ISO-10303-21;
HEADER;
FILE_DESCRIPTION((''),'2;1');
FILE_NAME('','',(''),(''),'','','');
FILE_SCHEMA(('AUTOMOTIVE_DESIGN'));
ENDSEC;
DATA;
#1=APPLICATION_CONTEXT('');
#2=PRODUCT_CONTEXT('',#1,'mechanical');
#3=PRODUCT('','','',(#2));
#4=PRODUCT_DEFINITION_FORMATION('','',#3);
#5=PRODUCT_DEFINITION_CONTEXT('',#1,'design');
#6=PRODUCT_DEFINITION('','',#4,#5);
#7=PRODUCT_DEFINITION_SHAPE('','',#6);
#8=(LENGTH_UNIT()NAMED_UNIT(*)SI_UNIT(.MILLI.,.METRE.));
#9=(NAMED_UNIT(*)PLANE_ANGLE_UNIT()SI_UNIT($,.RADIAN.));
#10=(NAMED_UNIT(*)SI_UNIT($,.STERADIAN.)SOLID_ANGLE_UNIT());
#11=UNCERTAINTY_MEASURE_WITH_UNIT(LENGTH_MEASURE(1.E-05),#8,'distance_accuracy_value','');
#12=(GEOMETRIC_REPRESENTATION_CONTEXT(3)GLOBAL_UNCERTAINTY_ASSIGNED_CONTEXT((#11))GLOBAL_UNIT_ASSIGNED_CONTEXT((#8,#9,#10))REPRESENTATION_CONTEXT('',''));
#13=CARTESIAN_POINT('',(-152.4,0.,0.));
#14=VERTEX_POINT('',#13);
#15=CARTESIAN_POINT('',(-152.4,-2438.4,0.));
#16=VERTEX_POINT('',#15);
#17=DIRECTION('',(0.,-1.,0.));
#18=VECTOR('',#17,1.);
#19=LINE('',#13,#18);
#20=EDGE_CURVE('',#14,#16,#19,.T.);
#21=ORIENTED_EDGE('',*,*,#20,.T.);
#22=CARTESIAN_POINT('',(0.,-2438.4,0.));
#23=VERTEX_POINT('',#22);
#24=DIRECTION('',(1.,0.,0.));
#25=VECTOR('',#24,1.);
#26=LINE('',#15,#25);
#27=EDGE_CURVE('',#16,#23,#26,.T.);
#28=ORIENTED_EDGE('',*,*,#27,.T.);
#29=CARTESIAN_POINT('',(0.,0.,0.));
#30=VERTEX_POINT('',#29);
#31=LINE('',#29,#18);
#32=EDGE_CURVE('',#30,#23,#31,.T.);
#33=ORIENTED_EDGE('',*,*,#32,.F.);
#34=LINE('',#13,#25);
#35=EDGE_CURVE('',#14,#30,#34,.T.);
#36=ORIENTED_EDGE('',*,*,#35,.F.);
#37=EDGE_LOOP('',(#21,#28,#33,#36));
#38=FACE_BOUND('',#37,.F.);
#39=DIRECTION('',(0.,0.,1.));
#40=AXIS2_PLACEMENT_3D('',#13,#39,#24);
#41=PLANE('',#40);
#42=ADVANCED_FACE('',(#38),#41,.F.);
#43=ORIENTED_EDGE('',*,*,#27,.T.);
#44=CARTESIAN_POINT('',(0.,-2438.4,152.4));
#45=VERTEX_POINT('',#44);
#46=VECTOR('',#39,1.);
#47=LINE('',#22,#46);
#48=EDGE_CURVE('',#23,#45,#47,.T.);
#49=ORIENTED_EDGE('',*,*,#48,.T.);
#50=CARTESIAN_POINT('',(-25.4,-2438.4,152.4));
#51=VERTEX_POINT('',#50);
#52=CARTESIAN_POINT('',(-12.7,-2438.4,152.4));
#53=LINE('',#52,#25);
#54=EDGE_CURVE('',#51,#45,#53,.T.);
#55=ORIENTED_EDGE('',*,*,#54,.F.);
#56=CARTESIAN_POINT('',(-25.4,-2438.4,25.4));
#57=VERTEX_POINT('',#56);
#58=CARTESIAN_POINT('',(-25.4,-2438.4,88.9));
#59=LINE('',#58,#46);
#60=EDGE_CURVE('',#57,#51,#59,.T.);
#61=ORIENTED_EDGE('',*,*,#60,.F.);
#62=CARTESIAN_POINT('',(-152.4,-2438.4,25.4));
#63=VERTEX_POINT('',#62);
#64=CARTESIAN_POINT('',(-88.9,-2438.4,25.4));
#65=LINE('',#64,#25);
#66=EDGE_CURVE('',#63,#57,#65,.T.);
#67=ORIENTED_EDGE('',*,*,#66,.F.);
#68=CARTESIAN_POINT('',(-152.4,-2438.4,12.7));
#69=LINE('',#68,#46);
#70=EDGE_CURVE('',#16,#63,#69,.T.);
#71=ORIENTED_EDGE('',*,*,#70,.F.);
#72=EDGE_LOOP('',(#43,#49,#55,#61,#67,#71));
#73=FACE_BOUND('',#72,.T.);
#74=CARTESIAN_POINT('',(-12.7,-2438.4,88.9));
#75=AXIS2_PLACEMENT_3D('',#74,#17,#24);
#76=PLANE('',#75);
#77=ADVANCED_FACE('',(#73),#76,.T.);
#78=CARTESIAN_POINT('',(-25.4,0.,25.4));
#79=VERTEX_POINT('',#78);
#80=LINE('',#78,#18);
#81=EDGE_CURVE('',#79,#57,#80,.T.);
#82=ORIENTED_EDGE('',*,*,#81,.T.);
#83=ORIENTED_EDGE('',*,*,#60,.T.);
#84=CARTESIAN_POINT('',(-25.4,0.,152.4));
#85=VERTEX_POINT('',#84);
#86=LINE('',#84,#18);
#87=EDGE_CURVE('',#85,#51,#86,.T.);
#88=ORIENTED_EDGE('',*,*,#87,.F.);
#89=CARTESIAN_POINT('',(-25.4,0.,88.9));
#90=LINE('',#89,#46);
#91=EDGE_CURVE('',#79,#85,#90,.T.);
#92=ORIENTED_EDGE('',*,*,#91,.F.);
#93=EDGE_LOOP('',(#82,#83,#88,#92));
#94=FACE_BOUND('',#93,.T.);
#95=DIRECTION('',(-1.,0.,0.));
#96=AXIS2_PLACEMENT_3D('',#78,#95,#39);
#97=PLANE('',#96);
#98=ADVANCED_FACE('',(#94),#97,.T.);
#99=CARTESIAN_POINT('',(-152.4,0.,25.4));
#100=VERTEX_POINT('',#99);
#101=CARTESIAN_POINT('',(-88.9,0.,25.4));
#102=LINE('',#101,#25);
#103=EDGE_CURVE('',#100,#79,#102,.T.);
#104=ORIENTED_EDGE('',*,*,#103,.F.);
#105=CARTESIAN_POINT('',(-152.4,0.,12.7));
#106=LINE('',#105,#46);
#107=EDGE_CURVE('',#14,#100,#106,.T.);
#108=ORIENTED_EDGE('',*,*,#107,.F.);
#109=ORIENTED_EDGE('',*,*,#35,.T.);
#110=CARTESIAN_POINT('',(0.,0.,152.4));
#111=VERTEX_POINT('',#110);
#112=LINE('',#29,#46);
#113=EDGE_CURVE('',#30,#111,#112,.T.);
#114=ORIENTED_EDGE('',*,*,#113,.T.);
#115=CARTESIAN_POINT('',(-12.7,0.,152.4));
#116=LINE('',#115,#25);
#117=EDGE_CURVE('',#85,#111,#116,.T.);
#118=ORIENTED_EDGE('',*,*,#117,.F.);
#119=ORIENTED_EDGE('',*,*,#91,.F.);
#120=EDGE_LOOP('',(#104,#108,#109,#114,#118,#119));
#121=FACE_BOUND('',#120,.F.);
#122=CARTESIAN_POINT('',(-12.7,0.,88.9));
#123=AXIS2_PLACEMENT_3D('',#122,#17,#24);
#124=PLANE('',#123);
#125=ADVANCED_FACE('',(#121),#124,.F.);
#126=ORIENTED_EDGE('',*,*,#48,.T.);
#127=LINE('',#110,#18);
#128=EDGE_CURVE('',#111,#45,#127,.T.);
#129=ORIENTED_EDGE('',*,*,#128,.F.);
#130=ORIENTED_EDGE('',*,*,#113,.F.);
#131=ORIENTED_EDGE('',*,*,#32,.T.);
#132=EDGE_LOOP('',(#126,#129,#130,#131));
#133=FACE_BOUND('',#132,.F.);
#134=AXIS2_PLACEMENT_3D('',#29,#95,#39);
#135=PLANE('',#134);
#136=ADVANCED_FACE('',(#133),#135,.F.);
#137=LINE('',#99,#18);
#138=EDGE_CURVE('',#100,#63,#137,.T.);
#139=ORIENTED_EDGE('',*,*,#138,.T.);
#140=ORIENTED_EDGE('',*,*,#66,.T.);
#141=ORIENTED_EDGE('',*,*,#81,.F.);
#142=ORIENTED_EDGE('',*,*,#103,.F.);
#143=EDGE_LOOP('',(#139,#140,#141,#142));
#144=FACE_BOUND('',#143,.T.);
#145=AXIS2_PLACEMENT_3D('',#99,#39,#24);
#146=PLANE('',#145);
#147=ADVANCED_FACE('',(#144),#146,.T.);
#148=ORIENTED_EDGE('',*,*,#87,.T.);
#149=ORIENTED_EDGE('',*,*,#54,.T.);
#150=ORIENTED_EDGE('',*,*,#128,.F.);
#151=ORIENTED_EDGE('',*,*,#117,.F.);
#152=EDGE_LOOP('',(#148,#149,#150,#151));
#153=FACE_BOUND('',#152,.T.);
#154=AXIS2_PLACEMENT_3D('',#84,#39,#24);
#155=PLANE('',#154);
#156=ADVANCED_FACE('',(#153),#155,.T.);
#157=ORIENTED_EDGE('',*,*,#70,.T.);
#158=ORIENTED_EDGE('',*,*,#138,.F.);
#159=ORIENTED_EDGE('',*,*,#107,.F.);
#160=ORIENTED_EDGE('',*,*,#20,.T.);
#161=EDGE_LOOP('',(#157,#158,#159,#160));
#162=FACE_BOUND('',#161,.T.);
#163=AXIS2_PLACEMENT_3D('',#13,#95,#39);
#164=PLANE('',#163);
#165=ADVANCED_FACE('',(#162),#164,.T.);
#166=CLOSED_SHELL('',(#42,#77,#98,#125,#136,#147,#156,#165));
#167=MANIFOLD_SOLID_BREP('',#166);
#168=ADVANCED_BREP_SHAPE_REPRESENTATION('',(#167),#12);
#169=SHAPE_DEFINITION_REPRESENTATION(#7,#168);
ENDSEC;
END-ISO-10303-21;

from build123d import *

# Parameters (mm, degrees)
F0_W     = 25.4
F0_H     = 127
F0_W_2   = 127
F0_H_2   = 25.4
F1_DEPTH = 2438.4


with BuildPart() as f1:
    # F0 (on Front) → F1 (new body)
    with BuildSketch(Plane.XZ):
        with Locations((-12.7, 88.9)):
            Rectangle(F0_W, F0_H)
        with Locations((-88.9, 12.7)):
            Rectangle(F0_W_2, F0_H_2)
        with Locations((-12.7, 12.7)):
            Rectangle(F0_W, F0_H_2)
    extrude(amount=F1_DEPTH)


solid = f1.part
